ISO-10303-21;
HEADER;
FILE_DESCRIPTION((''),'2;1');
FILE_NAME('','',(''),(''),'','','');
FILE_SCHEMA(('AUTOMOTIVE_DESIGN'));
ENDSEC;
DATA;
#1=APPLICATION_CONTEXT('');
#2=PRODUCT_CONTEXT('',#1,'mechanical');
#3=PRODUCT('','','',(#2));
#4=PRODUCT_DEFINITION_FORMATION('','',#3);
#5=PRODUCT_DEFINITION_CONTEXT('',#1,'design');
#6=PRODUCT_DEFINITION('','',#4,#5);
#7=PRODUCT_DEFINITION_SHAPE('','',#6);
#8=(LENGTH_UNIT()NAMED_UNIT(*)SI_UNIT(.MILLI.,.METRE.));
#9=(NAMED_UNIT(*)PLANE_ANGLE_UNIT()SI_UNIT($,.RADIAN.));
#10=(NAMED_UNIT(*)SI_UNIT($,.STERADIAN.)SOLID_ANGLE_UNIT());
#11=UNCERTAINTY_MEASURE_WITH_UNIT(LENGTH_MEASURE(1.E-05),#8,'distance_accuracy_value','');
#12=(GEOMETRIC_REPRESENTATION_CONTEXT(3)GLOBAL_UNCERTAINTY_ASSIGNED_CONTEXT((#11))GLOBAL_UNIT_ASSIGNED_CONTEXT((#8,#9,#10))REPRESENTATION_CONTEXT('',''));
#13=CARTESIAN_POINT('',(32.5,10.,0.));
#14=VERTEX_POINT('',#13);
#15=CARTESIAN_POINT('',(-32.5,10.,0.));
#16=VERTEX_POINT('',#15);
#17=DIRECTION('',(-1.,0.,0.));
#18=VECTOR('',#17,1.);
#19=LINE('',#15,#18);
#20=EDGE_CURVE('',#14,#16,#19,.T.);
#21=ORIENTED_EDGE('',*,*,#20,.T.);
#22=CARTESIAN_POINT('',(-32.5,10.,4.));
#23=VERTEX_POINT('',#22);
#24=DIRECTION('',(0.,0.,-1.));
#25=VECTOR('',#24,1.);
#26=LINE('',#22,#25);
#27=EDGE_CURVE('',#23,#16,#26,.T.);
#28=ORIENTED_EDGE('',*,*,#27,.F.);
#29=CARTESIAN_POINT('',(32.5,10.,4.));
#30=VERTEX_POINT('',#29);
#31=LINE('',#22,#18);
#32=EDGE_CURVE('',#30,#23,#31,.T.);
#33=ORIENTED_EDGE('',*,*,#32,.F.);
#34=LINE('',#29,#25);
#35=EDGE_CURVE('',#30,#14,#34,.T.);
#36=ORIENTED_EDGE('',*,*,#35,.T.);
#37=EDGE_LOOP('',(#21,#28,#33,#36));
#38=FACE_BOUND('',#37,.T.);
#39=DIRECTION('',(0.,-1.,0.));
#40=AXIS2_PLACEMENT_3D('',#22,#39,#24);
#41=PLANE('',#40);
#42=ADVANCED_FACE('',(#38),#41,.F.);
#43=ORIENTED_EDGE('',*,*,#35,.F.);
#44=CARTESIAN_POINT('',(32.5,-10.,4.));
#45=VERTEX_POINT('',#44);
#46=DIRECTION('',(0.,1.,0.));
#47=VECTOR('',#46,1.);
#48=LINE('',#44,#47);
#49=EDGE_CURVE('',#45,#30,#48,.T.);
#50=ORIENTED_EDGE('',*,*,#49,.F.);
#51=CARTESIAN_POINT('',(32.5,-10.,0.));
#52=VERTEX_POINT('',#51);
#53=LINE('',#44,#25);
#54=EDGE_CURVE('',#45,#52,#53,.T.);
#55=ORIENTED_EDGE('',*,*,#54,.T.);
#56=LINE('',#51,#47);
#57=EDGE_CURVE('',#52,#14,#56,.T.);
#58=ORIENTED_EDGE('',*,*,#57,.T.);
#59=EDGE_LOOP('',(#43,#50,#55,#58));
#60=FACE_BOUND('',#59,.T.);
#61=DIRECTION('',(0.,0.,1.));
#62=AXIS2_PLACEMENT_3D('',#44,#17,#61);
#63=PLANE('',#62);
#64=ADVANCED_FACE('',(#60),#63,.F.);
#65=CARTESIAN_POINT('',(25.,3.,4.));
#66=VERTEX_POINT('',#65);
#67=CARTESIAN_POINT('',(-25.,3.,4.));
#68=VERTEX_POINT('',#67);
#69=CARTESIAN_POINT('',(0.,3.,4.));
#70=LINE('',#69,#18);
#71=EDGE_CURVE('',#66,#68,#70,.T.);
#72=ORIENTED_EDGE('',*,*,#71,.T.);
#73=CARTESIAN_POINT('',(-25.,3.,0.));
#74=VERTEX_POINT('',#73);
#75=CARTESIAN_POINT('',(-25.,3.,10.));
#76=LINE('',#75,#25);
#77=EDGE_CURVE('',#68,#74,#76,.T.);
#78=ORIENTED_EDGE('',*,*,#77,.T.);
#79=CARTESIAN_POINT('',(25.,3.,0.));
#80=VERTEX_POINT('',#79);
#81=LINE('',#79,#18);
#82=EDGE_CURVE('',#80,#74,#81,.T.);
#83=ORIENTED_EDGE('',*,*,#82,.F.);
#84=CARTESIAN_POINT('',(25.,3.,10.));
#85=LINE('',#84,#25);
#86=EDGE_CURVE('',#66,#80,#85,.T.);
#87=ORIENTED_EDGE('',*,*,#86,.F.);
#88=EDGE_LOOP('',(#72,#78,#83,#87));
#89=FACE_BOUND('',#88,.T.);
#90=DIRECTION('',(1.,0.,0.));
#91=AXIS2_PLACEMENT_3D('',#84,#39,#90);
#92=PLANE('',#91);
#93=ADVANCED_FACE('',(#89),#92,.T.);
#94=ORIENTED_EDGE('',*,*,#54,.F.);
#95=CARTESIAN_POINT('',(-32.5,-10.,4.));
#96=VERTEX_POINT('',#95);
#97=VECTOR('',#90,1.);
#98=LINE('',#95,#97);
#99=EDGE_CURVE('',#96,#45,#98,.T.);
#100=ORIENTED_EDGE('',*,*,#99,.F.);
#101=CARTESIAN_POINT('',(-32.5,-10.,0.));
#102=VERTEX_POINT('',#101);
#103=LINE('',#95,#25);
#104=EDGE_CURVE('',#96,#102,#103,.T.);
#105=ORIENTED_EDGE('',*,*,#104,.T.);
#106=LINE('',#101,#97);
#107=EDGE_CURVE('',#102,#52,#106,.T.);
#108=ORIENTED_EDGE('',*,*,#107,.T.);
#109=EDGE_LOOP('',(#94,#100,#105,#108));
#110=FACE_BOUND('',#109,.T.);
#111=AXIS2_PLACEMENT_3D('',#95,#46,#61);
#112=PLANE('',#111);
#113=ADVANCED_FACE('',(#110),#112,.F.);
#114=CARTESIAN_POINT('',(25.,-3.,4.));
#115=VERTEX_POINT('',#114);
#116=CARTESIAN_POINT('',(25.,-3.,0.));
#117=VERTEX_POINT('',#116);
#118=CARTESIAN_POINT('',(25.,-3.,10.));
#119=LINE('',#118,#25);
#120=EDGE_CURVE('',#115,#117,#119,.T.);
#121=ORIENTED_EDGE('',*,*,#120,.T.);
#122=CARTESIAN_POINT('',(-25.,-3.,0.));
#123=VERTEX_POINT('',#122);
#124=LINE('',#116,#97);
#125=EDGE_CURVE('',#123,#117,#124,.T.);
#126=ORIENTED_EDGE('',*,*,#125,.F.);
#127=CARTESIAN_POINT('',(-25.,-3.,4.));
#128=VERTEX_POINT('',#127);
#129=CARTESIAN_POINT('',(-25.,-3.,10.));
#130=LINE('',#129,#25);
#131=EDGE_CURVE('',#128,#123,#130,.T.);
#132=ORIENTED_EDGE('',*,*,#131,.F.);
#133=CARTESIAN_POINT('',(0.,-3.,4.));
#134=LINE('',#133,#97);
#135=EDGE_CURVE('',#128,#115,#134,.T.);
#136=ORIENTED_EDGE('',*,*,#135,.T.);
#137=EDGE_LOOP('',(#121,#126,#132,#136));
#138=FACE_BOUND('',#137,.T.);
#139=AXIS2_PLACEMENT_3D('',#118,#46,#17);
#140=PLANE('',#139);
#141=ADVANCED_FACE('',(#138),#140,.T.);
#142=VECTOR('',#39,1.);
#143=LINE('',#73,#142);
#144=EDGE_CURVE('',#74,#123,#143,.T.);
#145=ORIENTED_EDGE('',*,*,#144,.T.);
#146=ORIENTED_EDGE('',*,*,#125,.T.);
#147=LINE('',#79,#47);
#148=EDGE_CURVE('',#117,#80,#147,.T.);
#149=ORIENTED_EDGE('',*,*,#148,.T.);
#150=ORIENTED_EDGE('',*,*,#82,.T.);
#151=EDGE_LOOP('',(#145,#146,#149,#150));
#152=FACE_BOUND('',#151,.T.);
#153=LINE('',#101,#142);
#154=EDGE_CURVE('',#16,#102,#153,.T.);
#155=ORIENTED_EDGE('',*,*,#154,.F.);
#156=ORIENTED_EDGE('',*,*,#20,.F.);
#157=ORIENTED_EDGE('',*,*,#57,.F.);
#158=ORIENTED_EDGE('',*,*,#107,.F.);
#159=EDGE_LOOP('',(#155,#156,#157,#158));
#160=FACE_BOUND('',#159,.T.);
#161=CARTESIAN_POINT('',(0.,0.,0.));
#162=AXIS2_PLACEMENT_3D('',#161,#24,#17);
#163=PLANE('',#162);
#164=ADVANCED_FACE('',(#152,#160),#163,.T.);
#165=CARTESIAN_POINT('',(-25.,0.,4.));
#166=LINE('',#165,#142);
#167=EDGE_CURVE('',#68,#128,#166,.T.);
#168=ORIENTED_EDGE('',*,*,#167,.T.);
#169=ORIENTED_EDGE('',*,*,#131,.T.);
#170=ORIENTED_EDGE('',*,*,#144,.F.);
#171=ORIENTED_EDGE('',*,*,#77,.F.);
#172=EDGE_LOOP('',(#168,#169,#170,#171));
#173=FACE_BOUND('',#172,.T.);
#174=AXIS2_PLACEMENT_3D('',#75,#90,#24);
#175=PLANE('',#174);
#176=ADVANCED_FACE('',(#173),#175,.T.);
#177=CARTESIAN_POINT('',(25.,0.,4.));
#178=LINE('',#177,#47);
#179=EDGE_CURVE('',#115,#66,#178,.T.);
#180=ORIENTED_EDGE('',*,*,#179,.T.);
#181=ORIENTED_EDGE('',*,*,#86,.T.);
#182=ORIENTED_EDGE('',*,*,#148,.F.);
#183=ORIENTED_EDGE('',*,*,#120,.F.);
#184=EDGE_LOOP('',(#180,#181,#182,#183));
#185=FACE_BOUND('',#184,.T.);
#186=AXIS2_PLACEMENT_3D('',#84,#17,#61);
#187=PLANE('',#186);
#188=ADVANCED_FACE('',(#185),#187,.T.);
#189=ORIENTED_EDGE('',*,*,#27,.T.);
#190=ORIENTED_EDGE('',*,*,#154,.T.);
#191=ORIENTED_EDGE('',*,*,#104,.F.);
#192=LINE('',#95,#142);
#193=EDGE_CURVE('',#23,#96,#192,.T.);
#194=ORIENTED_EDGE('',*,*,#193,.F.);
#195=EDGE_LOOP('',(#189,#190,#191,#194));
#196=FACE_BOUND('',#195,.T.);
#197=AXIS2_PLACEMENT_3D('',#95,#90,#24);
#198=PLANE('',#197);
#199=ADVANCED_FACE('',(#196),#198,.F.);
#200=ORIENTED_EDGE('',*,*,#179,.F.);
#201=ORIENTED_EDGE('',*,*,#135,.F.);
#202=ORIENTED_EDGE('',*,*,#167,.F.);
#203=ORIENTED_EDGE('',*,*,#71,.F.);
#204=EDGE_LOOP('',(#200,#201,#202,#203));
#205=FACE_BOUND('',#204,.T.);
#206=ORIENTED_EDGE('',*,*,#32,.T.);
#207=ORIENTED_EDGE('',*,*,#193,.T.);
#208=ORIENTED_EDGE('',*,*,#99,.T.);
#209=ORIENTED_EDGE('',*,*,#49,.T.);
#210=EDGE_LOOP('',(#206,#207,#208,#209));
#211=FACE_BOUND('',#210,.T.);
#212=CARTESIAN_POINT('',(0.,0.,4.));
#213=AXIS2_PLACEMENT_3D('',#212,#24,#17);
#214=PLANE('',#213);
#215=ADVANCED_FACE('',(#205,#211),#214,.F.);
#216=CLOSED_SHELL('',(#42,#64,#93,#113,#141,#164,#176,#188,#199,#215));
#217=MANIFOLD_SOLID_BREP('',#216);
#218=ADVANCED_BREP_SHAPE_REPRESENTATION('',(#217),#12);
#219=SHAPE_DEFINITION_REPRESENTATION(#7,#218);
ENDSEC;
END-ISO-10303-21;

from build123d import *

# Parameters (mm, degrees)
SKETCH2_W           = 65
SKETCH2_H           = 20
BOSS_EXTRUDE1_DEPTH = 4
SKETCH3_W           = 50
SKETCH3_H           = 6
CUT_EXTRUDE1_DEPTH  = 10


with BuildPart() as part:
    # Sketch2 → Boss-Extrude1 (new body)
    with BuildSketch(Plane.XY):
        Rectangle(SKETCH2_W, SKETCH2_H)
    extrude(amount=BOSS_EXTRUDE1_DEPTH)

    # Sketch3 → Cut-Extrude1 (cut)
    with BuildSketch(Plane.XY):
        Rectangle(SKETCH3_W, SKETCH3_H)
    extrude(amount=CUT_EXTRUDE1_DEPTH, mode=Mode.SUBTRACT)


solid = part.part
